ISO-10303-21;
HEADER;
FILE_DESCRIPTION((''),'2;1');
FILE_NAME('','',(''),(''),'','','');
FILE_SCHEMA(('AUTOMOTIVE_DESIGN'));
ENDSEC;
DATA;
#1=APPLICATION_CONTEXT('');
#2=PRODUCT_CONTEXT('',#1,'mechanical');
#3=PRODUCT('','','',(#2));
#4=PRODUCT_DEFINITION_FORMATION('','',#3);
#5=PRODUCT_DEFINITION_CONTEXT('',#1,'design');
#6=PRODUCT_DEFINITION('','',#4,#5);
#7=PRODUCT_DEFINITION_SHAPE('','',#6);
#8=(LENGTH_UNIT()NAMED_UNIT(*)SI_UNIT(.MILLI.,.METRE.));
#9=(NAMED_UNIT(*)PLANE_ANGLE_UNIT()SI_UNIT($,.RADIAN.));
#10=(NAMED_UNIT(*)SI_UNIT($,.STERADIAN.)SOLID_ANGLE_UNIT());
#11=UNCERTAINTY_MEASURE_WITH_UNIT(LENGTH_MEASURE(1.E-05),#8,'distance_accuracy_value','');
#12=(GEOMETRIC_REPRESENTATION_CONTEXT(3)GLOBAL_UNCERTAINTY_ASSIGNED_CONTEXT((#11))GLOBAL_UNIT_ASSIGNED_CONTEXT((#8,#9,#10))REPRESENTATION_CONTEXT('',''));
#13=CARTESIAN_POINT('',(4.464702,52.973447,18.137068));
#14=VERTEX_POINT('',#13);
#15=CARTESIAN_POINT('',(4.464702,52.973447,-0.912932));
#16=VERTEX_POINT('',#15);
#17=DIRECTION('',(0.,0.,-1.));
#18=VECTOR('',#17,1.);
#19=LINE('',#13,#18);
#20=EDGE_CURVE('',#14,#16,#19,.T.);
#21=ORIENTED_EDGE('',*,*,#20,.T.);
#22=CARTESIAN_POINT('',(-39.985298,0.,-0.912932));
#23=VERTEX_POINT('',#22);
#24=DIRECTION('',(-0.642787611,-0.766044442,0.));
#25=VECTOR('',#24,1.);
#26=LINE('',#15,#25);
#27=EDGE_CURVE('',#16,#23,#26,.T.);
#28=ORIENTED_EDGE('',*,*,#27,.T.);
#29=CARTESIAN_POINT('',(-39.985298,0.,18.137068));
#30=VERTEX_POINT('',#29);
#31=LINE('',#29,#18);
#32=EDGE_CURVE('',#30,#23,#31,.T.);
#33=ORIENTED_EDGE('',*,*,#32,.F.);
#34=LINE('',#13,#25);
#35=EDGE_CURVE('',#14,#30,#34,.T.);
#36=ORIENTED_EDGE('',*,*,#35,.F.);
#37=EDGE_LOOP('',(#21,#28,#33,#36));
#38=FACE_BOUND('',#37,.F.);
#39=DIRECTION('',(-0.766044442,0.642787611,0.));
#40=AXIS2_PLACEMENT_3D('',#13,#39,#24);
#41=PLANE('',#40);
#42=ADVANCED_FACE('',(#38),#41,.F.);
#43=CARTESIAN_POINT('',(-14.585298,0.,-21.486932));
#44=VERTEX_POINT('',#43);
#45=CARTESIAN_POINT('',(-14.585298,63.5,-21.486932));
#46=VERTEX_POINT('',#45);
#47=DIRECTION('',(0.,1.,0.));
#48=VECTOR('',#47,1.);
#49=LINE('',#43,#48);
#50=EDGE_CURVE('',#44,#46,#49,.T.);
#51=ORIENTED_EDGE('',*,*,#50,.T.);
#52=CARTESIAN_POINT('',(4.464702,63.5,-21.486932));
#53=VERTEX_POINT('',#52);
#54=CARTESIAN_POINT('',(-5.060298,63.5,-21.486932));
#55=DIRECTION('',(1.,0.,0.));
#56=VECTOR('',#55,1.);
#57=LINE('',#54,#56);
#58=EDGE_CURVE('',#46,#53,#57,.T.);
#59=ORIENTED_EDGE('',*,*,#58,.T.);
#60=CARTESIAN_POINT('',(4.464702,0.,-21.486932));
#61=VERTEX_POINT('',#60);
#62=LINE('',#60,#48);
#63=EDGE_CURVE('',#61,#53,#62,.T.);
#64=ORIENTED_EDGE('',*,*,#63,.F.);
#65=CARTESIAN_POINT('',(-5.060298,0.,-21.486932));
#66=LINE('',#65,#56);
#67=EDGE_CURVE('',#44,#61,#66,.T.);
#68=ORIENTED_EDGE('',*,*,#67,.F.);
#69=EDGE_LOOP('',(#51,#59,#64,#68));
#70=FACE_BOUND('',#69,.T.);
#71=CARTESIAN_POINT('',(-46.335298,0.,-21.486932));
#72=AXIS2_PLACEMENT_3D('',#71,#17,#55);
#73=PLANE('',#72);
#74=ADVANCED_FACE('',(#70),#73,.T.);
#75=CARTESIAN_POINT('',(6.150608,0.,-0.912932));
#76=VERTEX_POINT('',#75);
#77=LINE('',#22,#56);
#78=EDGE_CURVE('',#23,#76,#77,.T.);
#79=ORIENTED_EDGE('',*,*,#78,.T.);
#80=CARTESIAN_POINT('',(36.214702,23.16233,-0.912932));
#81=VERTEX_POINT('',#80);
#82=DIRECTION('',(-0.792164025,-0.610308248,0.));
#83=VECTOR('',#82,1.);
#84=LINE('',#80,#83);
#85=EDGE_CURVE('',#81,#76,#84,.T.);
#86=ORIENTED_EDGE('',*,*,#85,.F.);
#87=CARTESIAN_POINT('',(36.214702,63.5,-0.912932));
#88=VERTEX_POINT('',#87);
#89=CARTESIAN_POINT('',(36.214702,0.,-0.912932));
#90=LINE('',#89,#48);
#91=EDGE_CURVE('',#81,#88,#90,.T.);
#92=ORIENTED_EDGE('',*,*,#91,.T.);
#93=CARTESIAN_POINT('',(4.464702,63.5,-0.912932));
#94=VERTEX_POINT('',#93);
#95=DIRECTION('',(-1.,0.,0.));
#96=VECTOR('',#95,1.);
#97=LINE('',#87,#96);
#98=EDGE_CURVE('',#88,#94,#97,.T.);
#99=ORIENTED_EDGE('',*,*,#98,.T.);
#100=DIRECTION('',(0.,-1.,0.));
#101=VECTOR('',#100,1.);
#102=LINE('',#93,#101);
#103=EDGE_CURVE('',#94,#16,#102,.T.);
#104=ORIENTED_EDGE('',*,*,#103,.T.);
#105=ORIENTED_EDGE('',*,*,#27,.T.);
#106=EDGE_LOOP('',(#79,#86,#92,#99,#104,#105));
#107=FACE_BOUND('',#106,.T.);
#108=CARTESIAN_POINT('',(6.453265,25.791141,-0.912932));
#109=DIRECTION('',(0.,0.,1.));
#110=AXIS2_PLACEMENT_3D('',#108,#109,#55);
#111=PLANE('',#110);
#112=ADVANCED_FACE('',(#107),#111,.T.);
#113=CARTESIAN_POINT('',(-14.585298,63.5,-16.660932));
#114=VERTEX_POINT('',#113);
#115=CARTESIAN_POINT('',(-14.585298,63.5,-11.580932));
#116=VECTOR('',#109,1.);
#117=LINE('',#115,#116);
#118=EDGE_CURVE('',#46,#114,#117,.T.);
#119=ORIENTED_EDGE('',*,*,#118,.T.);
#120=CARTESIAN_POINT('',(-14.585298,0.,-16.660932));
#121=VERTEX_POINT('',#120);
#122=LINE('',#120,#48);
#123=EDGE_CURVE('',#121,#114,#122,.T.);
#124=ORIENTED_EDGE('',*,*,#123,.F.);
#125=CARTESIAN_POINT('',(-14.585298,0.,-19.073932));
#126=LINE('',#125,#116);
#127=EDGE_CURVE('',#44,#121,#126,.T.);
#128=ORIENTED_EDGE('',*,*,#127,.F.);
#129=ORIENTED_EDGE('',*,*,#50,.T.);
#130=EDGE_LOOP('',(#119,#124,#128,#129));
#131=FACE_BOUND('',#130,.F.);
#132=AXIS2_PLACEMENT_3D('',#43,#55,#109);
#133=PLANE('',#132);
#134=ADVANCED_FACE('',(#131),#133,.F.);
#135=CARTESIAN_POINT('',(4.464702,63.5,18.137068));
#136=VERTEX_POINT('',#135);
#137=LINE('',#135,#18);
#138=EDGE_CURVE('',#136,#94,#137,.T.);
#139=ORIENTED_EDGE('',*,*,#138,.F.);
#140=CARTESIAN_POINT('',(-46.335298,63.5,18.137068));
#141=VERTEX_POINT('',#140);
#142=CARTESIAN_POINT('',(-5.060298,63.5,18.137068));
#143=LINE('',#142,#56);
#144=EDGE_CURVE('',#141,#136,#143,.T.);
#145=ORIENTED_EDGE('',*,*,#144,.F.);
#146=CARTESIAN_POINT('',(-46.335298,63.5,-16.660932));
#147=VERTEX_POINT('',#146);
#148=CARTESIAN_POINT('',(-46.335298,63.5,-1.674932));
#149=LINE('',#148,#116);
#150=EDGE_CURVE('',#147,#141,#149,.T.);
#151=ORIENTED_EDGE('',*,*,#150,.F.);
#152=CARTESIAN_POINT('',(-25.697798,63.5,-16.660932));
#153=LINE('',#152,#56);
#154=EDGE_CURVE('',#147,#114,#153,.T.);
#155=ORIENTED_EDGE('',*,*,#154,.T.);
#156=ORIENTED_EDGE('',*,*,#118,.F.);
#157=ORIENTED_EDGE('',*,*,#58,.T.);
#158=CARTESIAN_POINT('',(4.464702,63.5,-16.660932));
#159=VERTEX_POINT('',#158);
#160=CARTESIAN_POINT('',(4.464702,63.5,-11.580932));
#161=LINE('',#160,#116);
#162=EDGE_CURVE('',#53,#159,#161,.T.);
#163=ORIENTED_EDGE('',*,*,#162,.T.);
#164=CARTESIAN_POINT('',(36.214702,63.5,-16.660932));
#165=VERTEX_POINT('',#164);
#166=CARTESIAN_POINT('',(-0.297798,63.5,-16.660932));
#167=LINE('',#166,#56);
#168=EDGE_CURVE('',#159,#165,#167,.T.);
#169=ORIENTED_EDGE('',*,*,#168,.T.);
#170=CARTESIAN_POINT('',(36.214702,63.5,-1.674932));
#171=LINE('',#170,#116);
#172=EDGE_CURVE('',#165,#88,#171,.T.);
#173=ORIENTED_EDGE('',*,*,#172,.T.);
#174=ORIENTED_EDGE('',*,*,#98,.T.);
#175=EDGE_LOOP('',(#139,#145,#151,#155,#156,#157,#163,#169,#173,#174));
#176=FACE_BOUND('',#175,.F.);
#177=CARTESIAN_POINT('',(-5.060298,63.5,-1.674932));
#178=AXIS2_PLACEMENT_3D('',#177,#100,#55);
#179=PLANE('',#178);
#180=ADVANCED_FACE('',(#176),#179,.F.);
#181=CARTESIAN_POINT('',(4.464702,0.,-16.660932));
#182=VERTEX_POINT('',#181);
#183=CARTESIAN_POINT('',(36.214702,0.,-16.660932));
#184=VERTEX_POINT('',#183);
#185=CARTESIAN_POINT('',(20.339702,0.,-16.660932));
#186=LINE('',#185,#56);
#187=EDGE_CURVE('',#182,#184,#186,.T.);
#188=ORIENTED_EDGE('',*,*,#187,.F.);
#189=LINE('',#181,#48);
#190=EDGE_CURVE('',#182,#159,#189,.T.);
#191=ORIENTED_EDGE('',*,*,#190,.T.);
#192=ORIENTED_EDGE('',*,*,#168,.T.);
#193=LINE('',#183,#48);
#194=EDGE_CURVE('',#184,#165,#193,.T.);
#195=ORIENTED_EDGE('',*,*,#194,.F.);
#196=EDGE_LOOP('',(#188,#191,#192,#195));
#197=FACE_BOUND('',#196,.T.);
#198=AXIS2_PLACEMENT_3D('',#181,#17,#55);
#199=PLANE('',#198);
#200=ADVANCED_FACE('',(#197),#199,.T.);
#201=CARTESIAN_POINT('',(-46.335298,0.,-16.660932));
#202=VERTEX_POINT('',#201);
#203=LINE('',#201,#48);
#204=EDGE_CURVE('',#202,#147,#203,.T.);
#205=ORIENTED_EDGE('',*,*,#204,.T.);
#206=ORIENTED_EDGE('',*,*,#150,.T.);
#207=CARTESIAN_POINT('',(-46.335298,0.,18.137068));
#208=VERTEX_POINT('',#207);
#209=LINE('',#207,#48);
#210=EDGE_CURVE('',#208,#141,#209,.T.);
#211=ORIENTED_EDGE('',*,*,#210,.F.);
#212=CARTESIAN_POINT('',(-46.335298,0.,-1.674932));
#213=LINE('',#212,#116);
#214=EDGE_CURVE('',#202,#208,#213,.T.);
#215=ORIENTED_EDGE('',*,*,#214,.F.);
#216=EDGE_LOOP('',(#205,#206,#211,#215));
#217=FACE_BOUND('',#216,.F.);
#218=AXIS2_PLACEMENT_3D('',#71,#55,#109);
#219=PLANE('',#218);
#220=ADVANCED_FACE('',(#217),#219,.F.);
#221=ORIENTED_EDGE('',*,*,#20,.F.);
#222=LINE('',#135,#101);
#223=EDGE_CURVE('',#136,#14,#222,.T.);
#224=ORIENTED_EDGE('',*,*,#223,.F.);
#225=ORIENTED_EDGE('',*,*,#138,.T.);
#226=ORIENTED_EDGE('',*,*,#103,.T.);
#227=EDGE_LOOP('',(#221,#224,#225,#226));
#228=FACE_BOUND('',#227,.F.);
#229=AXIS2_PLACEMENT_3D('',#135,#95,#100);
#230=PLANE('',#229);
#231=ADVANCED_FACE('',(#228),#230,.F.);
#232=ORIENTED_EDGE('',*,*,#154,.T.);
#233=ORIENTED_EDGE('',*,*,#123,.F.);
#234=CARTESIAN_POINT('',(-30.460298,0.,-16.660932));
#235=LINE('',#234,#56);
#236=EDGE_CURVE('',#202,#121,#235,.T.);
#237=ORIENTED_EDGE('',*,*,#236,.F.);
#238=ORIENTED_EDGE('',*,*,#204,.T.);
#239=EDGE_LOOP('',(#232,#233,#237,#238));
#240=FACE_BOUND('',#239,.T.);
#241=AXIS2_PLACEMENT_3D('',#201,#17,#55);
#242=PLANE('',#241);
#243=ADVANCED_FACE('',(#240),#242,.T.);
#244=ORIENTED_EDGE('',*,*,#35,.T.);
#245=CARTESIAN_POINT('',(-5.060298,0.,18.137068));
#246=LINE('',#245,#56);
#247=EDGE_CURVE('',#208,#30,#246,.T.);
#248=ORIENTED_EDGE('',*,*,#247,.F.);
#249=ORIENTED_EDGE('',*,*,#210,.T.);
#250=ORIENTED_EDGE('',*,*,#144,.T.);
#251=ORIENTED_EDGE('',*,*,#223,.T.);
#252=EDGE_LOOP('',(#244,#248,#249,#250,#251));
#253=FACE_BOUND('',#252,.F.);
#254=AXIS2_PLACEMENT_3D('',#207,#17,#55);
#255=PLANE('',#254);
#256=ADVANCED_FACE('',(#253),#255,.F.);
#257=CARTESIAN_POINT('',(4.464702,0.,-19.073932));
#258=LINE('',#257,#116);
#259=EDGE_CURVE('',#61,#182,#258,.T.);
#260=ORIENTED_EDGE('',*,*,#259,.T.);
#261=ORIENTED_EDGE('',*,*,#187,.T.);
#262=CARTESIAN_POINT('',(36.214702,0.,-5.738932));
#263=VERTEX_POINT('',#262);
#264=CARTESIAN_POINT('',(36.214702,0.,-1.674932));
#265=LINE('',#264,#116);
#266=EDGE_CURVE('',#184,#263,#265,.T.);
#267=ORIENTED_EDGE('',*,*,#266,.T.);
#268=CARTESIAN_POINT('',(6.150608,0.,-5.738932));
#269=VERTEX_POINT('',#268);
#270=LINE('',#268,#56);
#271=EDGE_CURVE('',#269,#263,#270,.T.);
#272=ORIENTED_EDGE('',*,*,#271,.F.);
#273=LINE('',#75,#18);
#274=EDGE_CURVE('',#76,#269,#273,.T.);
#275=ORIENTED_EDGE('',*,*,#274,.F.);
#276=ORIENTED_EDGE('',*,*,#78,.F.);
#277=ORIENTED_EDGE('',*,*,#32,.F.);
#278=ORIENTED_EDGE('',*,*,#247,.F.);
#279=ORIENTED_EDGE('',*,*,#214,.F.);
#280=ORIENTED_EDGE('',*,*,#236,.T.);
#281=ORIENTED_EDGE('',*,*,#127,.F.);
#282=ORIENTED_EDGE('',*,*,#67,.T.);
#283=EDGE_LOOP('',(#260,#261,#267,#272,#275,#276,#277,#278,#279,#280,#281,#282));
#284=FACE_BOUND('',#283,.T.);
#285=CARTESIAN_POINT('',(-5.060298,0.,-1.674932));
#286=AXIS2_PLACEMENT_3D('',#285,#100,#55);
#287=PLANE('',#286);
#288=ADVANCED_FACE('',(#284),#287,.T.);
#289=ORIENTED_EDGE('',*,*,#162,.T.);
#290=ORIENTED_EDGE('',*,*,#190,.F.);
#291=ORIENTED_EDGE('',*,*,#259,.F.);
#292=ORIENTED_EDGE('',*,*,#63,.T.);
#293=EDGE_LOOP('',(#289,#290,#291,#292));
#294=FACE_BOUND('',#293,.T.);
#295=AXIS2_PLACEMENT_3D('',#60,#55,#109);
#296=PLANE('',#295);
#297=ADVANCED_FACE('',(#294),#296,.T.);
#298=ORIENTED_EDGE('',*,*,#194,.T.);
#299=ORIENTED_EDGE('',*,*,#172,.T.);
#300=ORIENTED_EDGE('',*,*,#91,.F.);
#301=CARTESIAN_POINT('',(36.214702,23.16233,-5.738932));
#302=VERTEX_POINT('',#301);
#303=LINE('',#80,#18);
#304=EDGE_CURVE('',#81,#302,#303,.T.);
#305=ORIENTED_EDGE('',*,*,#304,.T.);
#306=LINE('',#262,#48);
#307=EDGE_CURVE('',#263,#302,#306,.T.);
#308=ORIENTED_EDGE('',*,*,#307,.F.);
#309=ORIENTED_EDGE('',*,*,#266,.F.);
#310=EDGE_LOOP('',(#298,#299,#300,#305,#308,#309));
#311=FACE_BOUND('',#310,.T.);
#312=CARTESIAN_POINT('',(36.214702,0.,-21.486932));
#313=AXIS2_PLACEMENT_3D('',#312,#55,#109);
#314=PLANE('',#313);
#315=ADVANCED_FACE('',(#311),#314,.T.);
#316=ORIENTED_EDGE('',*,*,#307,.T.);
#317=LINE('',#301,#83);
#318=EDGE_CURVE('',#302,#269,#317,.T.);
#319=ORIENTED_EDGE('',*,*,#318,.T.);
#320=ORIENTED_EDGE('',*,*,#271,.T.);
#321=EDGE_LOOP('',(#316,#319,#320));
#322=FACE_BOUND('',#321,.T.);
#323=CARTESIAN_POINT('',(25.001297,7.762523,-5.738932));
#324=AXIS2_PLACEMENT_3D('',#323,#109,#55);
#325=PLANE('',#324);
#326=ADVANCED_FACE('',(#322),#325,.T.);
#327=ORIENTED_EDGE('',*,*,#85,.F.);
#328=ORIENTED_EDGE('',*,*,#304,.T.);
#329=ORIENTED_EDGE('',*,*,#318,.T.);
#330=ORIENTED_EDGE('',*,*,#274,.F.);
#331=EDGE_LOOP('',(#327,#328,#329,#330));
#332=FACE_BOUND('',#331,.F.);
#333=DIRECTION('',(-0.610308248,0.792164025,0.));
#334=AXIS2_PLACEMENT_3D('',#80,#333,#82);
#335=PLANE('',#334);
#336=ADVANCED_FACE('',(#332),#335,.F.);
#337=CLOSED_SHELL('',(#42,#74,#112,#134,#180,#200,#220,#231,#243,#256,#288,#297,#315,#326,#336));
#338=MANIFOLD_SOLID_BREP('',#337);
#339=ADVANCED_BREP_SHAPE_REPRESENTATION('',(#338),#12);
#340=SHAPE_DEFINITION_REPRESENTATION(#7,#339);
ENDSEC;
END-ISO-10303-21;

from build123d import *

# Parameters (mm, degrees)
F0_W     = 82.55
F0_H     = 39.624
F1_DEPTH = 63.5
F2_W     = 31.75
F2_H     = 4.826
F3_DEPTH = 153.924
F4_W     = 31.75
F4_H     = 4.826
F5_DEPTH = 83.058
F7_DEPTH = 19.05
F9_DEPTH = 4.826


with BuildPart() as f1:
    # F0 (on Front) → F1 (new body)
    with BuildSketch(Plane.XZ):
        with Locations((-5.060298, -1.674932)):
            Rectangle(F0_W, F0_H)
    extrude(amount=-F1_DEPTH)

    # F2 (on face) → F3 (cut)
    with BuildSketch(Plane.XZ):
        with Locations((-30.460298, -19.073932)):
            Rectangle(F2_W, F2_H)
    extrude(amount=-F3_DEPTH, mode=Mode.SUBTRACT)

    # F4 (on face) → F5 (cut)
    with BuildSketch(Plane.XZ):
        with Locations((20.339702, -19.073932)):
            Rectangle(F4_W, F4_H)
    extrude(amount=-F5_DEPTH, mode=Mode.SUBTRACT)

    # F6 (on face) → F7 (cut)
    with BuildSketch(Plane.XY.offset(18.137068)):
        Polygon((36.214702, 63.5), (4.464702, 63.5), (4.464702, 52.973447), (-39.985298, 0), (36.214702, 0), align=None)
    extrude(amount=-F7_DEPTH, mode=Mode.SUBTRACT)

    # F8 (on face) → F9 (cut)
    with BuildSketch(Plane.XY.offset(-0.912932)):
        Polygon((36.214702, 23.16233), (6.150608, 0), (36.214702, 0), align=None)
    extrude(amount=-F9_DEPTH, mode=Mode.SUBTRACT)


solid = f1.part
